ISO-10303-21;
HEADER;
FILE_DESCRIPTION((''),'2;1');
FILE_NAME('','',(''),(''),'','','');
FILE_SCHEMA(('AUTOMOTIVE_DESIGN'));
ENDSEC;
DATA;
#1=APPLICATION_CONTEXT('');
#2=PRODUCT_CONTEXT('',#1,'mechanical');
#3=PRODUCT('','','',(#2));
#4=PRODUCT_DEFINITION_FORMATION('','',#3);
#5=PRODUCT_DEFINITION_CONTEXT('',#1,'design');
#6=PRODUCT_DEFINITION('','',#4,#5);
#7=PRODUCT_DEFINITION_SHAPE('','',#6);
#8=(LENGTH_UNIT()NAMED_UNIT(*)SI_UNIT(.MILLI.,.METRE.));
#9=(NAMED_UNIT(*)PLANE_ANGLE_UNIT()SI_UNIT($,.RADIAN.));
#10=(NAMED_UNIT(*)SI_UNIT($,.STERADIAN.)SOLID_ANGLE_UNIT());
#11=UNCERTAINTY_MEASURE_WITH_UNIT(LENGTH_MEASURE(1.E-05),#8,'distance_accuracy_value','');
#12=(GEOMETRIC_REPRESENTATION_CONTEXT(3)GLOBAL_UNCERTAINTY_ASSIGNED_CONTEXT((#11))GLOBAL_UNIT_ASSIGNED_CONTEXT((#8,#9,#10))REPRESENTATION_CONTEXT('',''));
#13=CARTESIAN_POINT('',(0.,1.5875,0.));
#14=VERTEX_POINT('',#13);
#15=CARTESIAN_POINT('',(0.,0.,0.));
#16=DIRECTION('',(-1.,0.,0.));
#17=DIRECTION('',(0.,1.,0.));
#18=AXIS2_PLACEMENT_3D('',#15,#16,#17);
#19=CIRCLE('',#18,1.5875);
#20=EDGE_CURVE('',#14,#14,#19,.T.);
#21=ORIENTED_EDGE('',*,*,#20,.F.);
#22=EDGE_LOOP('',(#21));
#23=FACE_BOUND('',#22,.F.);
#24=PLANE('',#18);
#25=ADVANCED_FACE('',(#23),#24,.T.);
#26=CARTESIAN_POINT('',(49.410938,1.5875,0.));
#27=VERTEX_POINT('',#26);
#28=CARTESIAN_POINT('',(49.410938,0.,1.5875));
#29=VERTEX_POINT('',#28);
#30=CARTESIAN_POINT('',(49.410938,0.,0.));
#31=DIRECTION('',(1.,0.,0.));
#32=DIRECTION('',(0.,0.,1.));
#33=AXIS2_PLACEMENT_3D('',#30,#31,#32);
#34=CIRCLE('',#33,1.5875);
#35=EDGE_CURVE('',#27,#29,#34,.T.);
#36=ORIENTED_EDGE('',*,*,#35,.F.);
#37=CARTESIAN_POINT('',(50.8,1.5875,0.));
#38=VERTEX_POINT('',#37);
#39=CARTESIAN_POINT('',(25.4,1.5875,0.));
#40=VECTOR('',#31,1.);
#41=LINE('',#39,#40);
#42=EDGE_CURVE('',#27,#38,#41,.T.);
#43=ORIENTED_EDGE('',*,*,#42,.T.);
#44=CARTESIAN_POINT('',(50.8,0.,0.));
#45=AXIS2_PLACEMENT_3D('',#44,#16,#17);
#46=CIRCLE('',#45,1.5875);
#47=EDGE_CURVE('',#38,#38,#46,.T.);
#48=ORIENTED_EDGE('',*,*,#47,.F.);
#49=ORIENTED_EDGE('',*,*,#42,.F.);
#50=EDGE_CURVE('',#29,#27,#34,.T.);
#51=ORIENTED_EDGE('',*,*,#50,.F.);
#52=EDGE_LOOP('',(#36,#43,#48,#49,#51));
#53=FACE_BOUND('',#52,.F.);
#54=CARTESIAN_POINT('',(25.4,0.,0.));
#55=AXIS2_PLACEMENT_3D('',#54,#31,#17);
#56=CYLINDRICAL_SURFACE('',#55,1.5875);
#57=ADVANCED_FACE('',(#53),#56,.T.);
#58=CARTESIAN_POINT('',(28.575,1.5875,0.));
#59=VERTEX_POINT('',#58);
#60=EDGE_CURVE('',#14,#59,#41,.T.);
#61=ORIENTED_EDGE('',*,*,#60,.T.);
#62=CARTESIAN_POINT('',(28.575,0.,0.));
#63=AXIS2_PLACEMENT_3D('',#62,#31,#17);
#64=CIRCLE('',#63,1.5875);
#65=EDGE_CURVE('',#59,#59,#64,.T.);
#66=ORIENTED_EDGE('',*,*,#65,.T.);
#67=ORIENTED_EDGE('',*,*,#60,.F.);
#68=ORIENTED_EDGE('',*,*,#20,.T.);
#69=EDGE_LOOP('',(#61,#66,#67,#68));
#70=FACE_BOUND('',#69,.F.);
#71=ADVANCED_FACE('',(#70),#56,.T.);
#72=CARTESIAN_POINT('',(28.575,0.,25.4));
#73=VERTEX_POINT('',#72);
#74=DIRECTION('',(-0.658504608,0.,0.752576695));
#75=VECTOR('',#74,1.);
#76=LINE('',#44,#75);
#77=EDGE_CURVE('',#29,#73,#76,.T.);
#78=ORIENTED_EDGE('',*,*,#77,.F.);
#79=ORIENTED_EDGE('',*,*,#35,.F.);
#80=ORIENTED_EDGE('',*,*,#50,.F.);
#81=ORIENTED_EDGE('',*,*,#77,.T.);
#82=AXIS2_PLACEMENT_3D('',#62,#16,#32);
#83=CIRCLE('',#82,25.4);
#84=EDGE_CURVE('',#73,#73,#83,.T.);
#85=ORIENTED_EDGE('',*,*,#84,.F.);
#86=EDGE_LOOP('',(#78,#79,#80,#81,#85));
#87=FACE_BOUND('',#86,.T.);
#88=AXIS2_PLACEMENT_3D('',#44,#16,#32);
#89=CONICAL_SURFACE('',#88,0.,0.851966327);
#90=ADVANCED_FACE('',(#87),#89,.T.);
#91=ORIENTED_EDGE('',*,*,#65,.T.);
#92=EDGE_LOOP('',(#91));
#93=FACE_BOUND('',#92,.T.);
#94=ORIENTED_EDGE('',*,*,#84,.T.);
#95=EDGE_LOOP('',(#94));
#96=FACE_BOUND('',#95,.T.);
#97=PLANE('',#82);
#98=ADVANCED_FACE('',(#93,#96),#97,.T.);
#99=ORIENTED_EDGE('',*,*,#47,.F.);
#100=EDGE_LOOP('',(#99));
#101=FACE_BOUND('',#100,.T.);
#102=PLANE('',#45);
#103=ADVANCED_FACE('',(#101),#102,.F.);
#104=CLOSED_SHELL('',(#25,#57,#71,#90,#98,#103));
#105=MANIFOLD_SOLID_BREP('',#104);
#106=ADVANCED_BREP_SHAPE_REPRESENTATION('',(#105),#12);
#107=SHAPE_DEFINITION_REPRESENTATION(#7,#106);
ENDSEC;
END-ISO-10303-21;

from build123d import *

# Parameters (mm, degrees)
F0_W = 50.8
F0_H = 1.5875


with BuildPart() as f1:
    # F0 (on Top) → F1 (revolve)
    with BuildSketch(Plane.XY):
        with Locations((25.4, 0.79375)):
            Rectangle(F0_W, F0_H)
    revolve(axis=Axis((25.4, 0, 0), (-1, 0, 0)))

    # F2 (on Front) → F3 (revolve)
    with BuildSketch(Plane.XZ):
        Polygon((28.575, 25.4), (28.575, 0), (50.8, 0), align=None)
    revolve(axis=Axis((39.6875, 0, 0), (-1, 0, 0)))


solid = f1.part
